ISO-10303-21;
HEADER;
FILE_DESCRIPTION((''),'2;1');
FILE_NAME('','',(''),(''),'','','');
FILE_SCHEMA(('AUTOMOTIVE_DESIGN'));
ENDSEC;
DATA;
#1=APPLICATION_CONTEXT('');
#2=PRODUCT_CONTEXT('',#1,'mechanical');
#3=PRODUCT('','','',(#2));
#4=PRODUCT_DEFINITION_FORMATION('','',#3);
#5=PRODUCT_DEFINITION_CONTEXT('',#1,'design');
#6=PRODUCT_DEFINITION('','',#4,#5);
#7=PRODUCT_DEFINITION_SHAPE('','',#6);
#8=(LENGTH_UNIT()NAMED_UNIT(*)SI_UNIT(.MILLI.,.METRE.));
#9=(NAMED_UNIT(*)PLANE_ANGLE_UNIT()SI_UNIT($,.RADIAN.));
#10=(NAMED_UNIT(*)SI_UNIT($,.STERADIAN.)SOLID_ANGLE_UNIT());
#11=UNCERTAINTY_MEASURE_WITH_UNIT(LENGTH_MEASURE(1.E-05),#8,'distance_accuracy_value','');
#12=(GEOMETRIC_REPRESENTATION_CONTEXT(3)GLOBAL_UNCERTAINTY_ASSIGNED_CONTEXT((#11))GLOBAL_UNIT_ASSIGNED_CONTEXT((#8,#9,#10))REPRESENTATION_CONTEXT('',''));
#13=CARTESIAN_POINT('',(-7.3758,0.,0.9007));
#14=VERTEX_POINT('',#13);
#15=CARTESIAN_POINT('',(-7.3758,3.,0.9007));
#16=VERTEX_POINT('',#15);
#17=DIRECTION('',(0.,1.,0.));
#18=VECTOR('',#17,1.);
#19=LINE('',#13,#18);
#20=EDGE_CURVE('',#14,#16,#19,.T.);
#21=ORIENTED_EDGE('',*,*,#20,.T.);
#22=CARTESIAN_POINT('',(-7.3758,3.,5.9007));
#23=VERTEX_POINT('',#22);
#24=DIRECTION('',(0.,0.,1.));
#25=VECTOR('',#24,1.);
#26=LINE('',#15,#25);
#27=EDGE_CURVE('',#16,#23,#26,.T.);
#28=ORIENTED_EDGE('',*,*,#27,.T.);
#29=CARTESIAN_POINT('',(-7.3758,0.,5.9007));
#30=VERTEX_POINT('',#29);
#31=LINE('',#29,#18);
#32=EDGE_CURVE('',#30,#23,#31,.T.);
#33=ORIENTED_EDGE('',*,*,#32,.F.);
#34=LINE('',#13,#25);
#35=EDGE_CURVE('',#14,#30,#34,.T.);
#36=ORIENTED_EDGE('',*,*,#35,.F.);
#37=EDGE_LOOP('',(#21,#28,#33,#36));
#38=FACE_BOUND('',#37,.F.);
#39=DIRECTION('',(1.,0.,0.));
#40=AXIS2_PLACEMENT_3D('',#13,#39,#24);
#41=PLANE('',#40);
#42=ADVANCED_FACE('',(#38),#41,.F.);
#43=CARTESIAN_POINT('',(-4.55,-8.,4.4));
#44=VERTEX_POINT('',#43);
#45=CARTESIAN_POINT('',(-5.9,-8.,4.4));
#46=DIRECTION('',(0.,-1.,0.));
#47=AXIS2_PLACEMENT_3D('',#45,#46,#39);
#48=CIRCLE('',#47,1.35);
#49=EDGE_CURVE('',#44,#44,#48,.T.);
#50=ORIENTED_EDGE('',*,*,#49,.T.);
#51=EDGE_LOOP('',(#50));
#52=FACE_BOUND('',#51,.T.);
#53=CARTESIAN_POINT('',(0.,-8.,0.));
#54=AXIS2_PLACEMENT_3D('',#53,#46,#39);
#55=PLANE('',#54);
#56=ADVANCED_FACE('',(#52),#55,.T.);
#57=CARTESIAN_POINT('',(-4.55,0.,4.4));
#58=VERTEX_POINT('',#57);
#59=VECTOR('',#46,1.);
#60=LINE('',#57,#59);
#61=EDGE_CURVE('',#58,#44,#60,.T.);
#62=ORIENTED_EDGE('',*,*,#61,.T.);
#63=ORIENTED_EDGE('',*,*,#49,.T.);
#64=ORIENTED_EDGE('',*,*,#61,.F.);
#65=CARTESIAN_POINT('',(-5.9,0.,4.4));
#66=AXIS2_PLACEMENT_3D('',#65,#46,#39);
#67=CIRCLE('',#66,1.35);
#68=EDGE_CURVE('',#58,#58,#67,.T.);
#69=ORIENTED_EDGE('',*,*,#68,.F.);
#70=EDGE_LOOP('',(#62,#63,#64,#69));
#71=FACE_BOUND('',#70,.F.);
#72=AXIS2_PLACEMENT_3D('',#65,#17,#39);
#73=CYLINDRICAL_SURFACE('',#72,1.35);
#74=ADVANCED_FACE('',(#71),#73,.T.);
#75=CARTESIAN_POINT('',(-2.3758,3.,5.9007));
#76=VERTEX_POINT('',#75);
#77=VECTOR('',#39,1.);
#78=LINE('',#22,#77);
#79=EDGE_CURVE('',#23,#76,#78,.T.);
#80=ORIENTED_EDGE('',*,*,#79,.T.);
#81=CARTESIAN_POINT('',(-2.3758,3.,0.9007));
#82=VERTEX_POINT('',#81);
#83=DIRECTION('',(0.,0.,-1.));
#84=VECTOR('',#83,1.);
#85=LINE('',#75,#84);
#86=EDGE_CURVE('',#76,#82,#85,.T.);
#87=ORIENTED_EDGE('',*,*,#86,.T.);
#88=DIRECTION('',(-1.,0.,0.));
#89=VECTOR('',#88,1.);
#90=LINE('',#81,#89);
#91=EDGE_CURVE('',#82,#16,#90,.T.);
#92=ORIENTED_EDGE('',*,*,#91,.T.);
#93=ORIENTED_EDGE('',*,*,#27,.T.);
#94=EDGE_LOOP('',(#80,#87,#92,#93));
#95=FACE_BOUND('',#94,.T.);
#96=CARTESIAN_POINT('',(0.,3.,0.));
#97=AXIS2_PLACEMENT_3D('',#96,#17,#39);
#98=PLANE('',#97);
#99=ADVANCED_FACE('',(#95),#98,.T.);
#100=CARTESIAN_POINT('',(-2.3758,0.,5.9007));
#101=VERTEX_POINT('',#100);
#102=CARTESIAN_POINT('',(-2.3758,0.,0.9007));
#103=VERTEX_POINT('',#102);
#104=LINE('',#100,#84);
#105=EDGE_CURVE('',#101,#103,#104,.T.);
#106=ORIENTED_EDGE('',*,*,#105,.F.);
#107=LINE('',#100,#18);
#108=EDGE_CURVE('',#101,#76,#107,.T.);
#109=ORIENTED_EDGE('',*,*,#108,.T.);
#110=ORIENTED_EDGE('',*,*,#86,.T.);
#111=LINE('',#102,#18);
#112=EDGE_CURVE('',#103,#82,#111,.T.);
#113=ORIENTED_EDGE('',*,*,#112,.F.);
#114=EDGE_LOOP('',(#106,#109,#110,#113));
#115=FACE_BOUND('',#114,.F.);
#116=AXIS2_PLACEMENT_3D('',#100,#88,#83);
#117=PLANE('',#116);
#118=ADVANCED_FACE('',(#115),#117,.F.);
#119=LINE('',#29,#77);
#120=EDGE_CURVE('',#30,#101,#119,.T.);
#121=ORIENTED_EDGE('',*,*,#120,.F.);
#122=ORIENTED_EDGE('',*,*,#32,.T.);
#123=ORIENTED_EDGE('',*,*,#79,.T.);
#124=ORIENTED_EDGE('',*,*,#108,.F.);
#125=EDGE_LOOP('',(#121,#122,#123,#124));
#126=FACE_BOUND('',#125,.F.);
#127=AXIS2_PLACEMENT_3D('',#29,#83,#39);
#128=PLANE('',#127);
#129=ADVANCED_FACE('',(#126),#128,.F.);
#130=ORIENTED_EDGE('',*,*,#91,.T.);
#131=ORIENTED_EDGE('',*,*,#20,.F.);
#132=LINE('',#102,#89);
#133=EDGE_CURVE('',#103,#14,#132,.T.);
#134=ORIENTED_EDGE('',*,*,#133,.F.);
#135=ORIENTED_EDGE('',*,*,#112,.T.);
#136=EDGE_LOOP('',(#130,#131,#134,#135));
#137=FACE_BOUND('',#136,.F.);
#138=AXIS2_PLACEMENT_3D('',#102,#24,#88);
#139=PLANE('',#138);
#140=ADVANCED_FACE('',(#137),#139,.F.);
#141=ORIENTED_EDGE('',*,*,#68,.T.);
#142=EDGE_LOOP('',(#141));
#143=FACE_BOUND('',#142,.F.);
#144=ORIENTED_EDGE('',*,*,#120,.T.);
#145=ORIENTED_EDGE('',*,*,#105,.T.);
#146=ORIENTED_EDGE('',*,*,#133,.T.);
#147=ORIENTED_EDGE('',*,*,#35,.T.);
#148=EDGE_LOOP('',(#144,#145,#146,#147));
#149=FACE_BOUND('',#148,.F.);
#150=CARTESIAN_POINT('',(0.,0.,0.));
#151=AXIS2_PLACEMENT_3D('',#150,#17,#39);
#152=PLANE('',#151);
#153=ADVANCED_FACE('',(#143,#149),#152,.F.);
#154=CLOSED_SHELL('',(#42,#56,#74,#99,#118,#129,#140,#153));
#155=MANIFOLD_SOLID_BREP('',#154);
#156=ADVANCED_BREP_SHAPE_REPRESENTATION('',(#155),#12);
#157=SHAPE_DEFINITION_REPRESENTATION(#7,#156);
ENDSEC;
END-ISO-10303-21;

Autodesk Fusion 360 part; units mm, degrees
sketch "Skizze1" plane through (0, 0, 0) normal (0, 1, 0) x (1, 0, 0)
  line L0 (-7.3758, -5.9007) -> (-2.3758, -5.9007)
  line L1 (-2.3758, -5.9007) -> (-2.3758, -0.9007)
  line L2 (-2.3758, -0.9007) -> (-7.3758, -0.9007)
  line L3 (-7.3758, -0.9007) -> (-7.3758, -5.9007)
  circle A0 centre (-5.9, -4.4) radius 1.35
  dimension "d1" = 5
  dimension "d2" = 5
  dimension "d8" = 2.7
extrude "Extrusion1" add sketch "Skizze1" along normal blind 3 contours L0 L1 L2 L3 | A0
sketch "Skizze3" plane through (0, 0, 0) normal (0, -1, 0) x (1, 0, 0)
  line L0 (-7.3758, 5.9007) -> (-7.3758, 0.9007)
  line L1 (-7.3758, 0.9007) -> (-2.3758, 0.9007)
  line L2 (-2.3758, 0.9007) -> (-2.3758, 5.9007)
  line L3 (-2.3758, 5.9007) -> (-7.3758, 5.9007)
  circle A0 centre (-5.9, 4.4) radius 1.35
  dimension "d9" = 2.7
extrude "Extrusion3" add sketch "Skizze3" along normal blind 8 contours A0
